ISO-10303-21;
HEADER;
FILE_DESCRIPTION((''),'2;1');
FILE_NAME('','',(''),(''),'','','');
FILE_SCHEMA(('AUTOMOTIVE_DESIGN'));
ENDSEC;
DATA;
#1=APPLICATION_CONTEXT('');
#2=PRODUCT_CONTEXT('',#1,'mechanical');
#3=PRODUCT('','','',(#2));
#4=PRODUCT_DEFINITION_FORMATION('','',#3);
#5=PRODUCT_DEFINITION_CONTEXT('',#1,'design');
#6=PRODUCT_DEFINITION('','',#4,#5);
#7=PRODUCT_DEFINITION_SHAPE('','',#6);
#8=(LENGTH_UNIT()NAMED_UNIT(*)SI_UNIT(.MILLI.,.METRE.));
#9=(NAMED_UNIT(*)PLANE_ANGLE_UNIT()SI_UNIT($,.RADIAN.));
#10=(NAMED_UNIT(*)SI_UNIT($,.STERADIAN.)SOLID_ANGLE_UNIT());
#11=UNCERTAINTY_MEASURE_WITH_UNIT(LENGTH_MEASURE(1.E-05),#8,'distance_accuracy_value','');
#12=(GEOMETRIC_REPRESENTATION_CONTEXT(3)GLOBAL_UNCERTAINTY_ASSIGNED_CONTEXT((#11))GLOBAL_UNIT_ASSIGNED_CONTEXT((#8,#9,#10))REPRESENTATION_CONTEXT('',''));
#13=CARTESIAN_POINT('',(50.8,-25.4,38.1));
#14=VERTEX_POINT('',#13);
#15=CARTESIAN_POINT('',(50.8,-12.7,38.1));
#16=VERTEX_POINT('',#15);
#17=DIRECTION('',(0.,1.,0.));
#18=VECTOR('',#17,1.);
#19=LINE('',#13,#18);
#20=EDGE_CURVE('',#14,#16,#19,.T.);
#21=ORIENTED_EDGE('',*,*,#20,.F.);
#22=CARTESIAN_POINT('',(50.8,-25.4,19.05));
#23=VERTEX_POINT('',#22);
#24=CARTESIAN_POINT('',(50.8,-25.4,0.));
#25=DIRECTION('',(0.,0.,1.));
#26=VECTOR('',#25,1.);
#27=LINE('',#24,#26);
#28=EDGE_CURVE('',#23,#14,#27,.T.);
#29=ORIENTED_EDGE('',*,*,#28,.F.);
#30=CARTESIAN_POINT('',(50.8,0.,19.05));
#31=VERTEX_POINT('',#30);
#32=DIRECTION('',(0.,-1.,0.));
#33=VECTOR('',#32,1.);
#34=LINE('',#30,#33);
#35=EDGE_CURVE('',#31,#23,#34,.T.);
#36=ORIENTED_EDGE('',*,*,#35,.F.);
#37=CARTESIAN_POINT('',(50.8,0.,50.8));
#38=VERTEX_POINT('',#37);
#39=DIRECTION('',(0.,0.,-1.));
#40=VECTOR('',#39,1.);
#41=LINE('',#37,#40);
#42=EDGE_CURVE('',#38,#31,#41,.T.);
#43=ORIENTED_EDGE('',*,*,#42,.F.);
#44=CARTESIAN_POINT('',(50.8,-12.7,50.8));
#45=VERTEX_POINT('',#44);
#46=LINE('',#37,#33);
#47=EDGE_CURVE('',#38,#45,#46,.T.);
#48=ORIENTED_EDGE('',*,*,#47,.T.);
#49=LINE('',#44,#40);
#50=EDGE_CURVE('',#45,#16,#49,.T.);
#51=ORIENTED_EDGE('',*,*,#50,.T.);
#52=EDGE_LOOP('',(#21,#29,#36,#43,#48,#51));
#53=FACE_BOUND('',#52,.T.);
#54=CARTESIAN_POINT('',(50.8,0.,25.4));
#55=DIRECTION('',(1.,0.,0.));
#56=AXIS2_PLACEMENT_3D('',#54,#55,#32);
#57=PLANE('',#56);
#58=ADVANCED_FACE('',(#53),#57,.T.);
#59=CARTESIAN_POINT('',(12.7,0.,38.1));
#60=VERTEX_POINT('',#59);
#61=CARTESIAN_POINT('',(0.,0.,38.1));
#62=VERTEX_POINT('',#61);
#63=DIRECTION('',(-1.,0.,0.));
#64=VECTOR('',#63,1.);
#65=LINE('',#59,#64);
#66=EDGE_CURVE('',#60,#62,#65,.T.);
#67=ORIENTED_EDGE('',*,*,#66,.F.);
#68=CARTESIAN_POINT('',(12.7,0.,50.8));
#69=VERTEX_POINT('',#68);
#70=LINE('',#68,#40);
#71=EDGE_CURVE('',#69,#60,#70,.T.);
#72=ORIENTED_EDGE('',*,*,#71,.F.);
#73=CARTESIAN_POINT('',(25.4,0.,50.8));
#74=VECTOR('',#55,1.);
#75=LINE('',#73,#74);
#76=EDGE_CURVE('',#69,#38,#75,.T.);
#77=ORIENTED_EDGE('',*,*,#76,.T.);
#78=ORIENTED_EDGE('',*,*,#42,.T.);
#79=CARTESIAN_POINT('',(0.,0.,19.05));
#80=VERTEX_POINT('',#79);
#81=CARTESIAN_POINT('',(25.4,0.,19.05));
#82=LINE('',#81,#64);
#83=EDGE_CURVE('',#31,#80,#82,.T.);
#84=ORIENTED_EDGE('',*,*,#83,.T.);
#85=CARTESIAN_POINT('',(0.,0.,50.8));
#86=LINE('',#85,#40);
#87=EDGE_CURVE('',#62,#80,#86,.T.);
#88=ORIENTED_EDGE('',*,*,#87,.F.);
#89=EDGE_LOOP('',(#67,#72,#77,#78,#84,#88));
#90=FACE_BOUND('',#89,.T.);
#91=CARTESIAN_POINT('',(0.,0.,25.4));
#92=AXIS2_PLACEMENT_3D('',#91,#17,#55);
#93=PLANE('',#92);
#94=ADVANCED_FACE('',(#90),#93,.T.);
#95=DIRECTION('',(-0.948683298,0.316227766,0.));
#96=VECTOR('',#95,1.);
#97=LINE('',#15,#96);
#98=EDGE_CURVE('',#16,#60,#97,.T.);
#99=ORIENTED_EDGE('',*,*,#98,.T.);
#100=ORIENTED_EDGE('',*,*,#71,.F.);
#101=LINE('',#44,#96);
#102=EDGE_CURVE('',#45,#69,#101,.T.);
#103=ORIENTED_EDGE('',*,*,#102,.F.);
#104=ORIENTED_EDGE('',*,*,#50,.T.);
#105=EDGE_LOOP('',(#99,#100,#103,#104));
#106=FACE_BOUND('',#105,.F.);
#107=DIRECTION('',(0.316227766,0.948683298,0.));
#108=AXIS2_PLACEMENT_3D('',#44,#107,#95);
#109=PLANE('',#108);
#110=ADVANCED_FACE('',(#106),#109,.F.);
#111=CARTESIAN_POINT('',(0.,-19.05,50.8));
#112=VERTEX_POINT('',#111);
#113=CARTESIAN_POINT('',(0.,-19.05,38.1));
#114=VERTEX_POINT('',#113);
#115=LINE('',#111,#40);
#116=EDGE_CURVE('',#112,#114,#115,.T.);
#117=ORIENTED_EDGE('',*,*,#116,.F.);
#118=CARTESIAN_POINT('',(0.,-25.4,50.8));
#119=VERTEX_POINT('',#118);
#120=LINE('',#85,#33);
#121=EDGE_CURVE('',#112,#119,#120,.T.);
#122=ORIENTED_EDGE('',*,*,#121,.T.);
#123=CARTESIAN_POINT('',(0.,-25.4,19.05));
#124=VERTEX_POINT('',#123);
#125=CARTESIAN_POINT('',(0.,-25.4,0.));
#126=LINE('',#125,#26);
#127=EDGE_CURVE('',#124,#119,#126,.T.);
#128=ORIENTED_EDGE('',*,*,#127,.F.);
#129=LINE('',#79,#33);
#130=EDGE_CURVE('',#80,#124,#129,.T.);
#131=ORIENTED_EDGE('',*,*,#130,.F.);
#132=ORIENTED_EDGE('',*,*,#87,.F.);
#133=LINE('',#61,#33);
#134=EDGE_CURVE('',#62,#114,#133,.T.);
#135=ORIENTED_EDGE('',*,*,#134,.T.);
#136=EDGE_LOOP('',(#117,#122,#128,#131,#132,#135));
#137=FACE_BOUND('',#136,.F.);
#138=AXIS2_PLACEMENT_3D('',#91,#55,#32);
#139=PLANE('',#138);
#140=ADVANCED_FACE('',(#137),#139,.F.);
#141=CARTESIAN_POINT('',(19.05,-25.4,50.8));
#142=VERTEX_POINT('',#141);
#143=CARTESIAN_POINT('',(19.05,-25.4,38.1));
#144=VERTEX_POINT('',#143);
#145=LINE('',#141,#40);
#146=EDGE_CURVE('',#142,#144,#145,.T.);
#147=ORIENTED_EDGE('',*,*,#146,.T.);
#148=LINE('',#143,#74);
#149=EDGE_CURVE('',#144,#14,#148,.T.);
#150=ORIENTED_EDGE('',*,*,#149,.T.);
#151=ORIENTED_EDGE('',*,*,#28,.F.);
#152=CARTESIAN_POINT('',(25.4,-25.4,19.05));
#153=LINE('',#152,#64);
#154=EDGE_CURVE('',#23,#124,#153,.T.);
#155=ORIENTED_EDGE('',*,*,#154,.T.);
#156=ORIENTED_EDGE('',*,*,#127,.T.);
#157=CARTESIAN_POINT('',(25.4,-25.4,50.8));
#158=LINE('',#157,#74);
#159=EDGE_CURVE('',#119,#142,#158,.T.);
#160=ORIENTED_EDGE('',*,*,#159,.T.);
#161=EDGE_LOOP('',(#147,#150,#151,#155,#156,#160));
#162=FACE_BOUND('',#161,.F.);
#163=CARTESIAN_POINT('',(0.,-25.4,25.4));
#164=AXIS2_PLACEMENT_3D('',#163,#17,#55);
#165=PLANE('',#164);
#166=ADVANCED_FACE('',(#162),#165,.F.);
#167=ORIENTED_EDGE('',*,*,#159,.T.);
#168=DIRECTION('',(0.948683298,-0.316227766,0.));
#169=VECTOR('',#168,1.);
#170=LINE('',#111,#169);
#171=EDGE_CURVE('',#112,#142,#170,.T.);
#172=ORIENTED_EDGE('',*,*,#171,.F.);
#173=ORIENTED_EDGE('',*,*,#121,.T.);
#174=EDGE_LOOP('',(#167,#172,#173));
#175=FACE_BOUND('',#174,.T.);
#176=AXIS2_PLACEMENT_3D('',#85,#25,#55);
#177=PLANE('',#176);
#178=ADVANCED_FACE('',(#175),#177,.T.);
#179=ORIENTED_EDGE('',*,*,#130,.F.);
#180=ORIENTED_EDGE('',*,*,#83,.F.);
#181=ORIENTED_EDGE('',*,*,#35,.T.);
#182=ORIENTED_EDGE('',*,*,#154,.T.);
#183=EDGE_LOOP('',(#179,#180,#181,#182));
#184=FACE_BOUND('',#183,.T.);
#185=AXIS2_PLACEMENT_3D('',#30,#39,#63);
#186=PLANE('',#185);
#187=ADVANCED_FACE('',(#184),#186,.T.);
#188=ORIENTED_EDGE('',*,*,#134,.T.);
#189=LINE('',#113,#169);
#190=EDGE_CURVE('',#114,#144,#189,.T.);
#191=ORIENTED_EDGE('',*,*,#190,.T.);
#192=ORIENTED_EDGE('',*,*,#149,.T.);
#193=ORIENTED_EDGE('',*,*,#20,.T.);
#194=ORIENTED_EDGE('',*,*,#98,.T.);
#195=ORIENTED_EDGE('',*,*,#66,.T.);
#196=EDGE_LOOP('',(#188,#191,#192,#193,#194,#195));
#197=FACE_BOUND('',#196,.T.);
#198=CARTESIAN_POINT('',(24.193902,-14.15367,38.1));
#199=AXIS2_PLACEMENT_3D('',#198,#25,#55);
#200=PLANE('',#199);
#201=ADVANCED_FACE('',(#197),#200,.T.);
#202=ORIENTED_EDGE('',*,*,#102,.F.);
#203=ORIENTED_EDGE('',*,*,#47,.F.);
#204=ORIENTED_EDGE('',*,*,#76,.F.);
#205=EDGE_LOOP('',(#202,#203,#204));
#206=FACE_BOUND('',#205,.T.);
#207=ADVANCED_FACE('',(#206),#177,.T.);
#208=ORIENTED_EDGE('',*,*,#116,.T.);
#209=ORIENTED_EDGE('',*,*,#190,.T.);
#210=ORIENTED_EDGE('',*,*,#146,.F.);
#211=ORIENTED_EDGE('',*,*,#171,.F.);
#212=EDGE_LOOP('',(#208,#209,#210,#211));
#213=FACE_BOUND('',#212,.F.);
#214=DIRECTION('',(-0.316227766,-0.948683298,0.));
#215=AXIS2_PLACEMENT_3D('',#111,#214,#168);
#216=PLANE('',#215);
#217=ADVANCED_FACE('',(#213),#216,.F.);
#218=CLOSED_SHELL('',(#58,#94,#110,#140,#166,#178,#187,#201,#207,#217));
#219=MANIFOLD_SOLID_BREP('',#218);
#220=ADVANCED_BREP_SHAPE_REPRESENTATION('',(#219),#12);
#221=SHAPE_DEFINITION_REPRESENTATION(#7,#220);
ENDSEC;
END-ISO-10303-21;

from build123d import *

# Parameters (mm, degrees)
F0_W     = 50.8
F0_H     = 25.4
F1_DEPTH = 25.4
F3_DEPTH = 25.4
F5_DEPTH = 12.7
F6_W     = 50.8
F6_H     = 19.05
F7_DEPTH = 50.8


with BuildPart() as f1:
    # F0 (on Front) → F1 (new body)
    with BuildSketch(Plane.XZ):
        with Locations((25.4, 12.7)):
            Rectangle(F0_W, F0_H)
    extrude(amount=F1_DEPTH)

    # F3 (add): a face of the model
    f3_faces = [f1.faces().sort_by_distance(p)[0] for p in [
        (25.4, -12.7, 25.4),
    ]]
    extrude(f3_faces, amount=F3_DEPTH)

    # F4 (on face) → F5 (cut)
    with BuildSketch(Plane.XY.offset(50.8)):
        Polygon((50.8, -12.7), (12.7, 0), (0, 0), (0, -19.05), (19.05, -25.4), (50.8, -25.4), align=None)
    extrude(amount=-F5_DEPTH, mode=Mode.SUBTRACT)

    # F6 (on face) → F7 (cut)
    with BuildSketch(Plane(origin=(0, 0, 0), x_dir=(-1, 0, 0), z_dir=(0, 1, 0))):
        with Locations((-25.4, 9.525)):
            Rectangle(F6_W, F6_H)
    extrude(amount=-F7_DEPTH, mode=Mode.SUBTRACT)


solid = f1.part
